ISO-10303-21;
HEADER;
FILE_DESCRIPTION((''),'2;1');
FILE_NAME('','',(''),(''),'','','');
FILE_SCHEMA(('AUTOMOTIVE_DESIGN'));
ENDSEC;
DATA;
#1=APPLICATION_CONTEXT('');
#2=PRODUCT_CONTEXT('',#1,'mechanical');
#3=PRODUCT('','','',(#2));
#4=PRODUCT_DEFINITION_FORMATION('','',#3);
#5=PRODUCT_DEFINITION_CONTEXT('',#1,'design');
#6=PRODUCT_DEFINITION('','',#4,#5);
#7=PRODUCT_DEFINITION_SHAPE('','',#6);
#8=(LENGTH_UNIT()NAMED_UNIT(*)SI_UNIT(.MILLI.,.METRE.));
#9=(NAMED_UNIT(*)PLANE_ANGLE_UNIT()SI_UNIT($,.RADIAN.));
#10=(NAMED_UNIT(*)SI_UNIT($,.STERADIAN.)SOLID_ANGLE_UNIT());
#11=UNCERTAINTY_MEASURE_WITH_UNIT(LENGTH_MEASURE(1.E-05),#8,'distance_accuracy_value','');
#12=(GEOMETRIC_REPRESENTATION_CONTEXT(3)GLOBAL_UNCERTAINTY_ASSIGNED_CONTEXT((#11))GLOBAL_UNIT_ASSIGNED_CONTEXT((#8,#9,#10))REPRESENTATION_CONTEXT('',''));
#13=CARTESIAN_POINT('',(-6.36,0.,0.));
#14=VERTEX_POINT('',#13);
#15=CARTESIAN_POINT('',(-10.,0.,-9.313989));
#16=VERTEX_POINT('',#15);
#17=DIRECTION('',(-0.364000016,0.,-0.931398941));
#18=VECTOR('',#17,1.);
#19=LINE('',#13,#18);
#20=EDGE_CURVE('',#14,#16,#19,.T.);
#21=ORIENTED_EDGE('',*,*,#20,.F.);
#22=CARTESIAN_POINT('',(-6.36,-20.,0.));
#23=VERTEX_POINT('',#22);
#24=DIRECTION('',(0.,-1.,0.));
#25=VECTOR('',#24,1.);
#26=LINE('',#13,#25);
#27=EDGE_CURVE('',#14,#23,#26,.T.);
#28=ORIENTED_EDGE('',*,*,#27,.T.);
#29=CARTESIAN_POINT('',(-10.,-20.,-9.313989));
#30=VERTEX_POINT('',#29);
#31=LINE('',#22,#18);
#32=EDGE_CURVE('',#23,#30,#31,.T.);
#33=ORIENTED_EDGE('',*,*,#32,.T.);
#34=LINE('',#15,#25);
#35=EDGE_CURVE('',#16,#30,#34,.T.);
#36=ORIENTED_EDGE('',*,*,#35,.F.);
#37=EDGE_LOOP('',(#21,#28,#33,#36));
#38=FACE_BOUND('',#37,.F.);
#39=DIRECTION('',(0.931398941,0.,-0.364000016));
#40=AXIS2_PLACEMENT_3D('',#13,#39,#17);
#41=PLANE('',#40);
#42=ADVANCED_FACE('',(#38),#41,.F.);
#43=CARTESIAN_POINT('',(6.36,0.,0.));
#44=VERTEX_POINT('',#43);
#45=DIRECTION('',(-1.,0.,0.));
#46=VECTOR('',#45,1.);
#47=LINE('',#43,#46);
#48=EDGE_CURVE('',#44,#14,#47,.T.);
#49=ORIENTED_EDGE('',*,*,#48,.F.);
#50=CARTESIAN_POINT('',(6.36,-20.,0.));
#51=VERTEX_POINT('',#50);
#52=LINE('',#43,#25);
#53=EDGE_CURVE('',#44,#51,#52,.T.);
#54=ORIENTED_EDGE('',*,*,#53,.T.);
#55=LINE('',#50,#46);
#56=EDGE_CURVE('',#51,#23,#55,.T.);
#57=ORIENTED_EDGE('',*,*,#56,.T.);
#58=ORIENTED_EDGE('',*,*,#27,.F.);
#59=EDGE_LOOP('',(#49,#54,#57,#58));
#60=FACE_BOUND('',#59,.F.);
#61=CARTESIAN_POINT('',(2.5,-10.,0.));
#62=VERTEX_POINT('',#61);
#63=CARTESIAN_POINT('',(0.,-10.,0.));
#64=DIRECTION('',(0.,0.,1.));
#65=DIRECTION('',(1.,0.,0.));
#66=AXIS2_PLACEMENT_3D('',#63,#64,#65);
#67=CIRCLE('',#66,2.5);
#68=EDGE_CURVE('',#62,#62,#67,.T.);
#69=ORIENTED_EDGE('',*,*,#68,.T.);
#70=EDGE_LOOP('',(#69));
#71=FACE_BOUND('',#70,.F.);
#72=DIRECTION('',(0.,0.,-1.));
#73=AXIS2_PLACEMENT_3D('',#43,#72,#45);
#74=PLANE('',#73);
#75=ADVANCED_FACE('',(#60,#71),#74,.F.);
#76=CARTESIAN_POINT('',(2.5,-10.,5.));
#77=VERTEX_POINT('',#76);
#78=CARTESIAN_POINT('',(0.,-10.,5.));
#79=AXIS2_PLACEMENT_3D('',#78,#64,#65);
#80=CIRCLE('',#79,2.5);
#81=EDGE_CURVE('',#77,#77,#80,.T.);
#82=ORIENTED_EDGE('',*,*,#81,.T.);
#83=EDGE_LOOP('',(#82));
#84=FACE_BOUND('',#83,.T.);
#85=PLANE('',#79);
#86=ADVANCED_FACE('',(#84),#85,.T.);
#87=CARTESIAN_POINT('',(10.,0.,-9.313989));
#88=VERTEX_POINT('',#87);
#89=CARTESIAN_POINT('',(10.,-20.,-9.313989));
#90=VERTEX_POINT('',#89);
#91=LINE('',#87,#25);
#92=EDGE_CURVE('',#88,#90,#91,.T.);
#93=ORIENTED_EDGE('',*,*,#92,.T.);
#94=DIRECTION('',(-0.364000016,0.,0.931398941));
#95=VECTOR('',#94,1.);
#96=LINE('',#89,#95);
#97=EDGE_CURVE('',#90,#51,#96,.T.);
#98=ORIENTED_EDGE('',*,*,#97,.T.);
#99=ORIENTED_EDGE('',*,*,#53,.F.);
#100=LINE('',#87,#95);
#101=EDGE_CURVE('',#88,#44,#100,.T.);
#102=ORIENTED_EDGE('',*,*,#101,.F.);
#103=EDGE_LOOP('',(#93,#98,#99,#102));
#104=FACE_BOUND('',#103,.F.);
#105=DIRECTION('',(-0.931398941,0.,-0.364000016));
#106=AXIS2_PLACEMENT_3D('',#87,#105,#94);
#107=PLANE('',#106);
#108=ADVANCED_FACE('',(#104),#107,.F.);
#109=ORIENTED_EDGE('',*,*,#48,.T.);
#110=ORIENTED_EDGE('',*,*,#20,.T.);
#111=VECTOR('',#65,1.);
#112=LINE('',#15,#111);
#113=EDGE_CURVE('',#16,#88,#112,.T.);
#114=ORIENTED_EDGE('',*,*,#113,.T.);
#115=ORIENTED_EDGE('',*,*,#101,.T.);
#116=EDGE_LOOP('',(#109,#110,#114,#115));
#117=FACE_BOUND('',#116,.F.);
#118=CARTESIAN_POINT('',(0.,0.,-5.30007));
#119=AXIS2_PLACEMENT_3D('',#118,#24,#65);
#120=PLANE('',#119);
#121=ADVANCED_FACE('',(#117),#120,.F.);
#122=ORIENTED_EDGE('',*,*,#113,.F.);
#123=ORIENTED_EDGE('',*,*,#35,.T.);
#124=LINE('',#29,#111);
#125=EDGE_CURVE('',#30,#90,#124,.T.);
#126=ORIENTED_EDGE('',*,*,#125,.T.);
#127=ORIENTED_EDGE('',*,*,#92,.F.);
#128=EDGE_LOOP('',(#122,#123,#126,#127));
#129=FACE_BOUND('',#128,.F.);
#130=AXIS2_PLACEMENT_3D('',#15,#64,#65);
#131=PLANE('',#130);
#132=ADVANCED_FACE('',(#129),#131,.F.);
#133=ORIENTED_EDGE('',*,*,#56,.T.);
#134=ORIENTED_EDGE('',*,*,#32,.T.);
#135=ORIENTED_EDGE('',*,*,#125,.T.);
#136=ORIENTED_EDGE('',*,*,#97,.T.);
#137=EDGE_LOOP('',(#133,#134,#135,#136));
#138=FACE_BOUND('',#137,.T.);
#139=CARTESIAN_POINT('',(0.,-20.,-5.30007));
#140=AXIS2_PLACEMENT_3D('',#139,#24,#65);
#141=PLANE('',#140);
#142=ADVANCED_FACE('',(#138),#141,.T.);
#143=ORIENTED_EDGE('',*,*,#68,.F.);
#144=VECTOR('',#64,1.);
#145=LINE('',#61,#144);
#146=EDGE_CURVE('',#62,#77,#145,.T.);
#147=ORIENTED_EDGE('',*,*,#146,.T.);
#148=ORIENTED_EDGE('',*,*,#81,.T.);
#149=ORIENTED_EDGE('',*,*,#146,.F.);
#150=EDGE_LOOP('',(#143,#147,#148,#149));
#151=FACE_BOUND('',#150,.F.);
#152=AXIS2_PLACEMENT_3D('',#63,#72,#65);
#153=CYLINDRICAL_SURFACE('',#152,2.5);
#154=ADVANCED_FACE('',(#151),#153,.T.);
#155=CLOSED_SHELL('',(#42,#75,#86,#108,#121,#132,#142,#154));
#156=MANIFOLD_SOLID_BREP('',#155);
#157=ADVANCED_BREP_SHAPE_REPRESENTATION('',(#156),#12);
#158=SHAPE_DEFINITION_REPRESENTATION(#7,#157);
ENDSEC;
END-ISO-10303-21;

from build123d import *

# Parameters (mm, degrees)
F1_DEPTH = 20
F2_R     = 2.5
F3_DEPTH = 5


with BuildPart() as f1:
    # F0 (on Front) → F1 (new body)
    with BuildSketch(Plane.XZ):
        Polygon((6.36, 0), (0, 0), (-6.36, 0), (-10, -9.313989), (0, -9.313989), (10, -9.313989), align=None)
    extrude(amount=F1_DEPTH)

    # F2 (on Top) → F3 (join)
    with BuildSketch(Plane.XY):
        with Locations((0, -10)):
            Circle(F2_R)
    extrude(amount=F3_DEPTH)


solid = f1.part
